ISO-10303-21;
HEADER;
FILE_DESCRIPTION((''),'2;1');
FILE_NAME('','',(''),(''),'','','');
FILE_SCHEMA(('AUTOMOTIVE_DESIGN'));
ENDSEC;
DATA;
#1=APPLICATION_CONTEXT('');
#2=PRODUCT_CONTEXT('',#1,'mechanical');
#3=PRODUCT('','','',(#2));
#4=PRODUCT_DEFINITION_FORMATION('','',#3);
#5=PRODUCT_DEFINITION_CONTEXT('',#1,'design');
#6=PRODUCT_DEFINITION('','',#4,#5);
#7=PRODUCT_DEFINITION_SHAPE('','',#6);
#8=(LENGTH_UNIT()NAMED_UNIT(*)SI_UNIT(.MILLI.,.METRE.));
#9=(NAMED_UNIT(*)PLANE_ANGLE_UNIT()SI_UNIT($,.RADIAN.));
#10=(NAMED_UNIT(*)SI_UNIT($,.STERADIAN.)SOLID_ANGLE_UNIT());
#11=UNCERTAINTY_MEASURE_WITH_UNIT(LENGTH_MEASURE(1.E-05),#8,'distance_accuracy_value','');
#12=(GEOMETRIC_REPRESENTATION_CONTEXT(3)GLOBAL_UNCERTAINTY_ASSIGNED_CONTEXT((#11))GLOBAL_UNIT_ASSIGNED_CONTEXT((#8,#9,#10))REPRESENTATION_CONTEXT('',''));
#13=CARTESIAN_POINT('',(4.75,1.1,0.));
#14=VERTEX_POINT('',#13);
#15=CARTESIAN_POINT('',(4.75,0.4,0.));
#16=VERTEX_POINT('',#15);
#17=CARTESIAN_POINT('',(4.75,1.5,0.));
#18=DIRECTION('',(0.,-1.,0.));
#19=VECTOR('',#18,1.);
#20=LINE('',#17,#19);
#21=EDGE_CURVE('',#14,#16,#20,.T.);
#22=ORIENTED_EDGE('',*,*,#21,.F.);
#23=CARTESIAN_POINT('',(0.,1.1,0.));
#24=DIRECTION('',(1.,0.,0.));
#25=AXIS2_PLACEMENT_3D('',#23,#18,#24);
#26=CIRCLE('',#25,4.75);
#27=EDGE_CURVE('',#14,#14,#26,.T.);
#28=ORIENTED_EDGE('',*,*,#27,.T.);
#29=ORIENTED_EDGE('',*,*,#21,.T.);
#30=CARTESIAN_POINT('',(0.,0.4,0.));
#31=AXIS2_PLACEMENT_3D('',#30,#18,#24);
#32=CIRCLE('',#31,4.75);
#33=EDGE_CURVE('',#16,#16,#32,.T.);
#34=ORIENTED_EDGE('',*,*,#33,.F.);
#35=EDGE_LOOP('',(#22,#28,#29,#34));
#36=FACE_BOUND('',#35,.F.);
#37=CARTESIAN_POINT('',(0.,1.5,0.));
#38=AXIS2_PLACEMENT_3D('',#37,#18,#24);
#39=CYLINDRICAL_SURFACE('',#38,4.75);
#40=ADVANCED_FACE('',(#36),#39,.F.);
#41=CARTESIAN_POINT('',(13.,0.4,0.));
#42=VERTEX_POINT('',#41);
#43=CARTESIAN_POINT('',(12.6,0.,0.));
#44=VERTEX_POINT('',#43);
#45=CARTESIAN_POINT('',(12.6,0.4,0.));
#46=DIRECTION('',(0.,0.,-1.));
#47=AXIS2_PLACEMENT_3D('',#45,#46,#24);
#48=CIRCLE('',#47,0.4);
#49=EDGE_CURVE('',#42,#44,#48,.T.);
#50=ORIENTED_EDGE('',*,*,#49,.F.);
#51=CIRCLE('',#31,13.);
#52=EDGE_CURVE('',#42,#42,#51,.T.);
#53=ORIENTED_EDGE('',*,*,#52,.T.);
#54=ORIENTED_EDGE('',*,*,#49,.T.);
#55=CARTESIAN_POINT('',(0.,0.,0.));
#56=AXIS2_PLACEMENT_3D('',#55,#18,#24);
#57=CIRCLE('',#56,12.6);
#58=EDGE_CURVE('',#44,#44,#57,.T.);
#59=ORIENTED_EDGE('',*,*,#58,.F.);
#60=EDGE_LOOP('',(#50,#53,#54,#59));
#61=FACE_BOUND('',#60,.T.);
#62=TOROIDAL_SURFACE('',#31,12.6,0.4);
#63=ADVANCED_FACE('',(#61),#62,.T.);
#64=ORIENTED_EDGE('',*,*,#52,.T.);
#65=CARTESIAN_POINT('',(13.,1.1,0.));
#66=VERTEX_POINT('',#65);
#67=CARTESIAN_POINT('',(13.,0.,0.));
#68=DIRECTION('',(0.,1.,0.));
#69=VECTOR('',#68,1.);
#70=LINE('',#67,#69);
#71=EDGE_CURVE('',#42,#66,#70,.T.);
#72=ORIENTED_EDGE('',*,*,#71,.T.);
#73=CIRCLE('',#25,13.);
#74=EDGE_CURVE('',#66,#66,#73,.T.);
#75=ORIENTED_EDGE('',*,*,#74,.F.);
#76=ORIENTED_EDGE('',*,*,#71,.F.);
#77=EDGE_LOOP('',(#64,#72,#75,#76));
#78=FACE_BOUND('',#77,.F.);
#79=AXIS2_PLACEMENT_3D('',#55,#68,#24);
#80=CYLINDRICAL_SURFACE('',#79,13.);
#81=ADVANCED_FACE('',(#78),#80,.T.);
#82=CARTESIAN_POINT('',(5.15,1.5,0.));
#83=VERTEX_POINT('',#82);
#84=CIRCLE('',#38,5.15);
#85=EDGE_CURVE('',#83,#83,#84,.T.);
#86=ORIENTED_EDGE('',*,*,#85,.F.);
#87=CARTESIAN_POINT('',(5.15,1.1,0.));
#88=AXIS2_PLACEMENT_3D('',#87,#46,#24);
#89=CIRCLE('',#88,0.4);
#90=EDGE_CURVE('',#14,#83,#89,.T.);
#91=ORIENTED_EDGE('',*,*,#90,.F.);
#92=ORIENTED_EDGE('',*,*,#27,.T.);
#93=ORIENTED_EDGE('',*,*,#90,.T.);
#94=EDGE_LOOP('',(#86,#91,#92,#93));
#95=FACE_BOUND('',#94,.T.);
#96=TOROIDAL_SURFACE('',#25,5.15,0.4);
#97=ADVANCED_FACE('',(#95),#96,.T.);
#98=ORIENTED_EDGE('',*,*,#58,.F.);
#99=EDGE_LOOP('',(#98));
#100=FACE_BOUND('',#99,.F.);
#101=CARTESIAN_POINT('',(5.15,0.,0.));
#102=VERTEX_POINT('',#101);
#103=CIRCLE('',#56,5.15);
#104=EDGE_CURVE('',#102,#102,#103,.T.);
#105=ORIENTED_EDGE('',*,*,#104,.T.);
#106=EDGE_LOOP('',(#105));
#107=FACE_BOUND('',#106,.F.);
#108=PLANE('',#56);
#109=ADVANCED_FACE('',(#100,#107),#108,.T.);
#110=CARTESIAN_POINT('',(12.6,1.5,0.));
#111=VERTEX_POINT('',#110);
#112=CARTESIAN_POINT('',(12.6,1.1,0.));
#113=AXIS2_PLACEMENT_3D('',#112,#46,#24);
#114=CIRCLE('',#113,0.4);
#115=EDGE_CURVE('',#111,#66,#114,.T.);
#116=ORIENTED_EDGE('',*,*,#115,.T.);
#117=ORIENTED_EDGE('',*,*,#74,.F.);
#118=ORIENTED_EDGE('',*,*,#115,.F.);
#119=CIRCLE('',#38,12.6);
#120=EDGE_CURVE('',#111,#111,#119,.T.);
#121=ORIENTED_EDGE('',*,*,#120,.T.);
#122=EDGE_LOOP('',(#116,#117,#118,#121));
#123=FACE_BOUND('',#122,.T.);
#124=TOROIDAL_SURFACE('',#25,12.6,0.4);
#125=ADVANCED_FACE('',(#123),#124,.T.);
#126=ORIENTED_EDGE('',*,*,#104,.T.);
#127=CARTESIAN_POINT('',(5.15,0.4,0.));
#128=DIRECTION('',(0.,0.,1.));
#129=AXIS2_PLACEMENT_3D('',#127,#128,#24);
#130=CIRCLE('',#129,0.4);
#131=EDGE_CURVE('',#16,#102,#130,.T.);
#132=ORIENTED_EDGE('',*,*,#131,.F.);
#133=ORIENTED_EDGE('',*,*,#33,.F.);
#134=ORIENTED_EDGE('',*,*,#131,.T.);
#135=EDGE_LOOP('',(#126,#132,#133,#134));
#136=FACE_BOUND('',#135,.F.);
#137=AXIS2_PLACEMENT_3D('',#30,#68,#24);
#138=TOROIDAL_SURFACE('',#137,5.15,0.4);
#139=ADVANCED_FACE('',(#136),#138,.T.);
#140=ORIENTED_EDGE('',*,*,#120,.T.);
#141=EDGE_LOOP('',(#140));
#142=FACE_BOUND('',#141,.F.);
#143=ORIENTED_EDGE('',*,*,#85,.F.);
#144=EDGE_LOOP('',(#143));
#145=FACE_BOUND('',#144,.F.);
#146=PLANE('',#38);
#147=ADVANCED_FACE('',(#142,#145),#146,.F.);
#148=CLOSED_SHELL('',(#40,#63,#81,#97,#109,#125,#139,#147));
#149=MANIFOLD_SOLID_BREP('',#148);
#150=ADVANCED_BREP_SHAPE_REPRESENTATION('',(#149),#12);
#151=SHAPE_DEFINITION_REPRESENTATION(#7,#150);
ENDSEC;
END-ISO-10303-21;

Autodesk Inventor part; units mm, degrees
ref_plane "YZ Plane" through (0, 0, 0) normal (1, 0, 0) x (0, 1, 0)
ref_plane "XZ Plane" through (0, 0, 0) normal (0, 1, 0) x (-1, 0, 0)
ref_plane "XY Plane" through (0, 0, 0) normal (0, 0, 1) x (1, 0, 0)
sketch "Эскиз1" plane through (0, 0, 0) normal (0, 0, 1) x (1, 0, 0)
  line L0 (4.75, 0) -> (13, 0)
  line L1 (13, 0) -> (13, 1.5)
  line L2 (13, 1.5) -> (4.75, 1.5)
  line L3 (0, 1.5) -> (0, 0)
  line L4 (4.75, 1.5) -> (4.75, 0)
  dimension "d0" = 26
  dimension "d3" = 1.5
  dimension "d7" = 9.5
revolve "Вращение1" add sketch "Эскиз1" angle 360 about axis through (0, 1.5, 0) along (0, -1, 0)
fillet "Сопряжение3" radius 0.4 4 edges at (-13, 0, 0) (-13, 1.5, 0) (-4.75, 0, 0) (-4.75, 1.5, 0)
equation "\"d3\" = d2"
equation "\"d2\" = 1.5"
properties part number "paris_washer"
